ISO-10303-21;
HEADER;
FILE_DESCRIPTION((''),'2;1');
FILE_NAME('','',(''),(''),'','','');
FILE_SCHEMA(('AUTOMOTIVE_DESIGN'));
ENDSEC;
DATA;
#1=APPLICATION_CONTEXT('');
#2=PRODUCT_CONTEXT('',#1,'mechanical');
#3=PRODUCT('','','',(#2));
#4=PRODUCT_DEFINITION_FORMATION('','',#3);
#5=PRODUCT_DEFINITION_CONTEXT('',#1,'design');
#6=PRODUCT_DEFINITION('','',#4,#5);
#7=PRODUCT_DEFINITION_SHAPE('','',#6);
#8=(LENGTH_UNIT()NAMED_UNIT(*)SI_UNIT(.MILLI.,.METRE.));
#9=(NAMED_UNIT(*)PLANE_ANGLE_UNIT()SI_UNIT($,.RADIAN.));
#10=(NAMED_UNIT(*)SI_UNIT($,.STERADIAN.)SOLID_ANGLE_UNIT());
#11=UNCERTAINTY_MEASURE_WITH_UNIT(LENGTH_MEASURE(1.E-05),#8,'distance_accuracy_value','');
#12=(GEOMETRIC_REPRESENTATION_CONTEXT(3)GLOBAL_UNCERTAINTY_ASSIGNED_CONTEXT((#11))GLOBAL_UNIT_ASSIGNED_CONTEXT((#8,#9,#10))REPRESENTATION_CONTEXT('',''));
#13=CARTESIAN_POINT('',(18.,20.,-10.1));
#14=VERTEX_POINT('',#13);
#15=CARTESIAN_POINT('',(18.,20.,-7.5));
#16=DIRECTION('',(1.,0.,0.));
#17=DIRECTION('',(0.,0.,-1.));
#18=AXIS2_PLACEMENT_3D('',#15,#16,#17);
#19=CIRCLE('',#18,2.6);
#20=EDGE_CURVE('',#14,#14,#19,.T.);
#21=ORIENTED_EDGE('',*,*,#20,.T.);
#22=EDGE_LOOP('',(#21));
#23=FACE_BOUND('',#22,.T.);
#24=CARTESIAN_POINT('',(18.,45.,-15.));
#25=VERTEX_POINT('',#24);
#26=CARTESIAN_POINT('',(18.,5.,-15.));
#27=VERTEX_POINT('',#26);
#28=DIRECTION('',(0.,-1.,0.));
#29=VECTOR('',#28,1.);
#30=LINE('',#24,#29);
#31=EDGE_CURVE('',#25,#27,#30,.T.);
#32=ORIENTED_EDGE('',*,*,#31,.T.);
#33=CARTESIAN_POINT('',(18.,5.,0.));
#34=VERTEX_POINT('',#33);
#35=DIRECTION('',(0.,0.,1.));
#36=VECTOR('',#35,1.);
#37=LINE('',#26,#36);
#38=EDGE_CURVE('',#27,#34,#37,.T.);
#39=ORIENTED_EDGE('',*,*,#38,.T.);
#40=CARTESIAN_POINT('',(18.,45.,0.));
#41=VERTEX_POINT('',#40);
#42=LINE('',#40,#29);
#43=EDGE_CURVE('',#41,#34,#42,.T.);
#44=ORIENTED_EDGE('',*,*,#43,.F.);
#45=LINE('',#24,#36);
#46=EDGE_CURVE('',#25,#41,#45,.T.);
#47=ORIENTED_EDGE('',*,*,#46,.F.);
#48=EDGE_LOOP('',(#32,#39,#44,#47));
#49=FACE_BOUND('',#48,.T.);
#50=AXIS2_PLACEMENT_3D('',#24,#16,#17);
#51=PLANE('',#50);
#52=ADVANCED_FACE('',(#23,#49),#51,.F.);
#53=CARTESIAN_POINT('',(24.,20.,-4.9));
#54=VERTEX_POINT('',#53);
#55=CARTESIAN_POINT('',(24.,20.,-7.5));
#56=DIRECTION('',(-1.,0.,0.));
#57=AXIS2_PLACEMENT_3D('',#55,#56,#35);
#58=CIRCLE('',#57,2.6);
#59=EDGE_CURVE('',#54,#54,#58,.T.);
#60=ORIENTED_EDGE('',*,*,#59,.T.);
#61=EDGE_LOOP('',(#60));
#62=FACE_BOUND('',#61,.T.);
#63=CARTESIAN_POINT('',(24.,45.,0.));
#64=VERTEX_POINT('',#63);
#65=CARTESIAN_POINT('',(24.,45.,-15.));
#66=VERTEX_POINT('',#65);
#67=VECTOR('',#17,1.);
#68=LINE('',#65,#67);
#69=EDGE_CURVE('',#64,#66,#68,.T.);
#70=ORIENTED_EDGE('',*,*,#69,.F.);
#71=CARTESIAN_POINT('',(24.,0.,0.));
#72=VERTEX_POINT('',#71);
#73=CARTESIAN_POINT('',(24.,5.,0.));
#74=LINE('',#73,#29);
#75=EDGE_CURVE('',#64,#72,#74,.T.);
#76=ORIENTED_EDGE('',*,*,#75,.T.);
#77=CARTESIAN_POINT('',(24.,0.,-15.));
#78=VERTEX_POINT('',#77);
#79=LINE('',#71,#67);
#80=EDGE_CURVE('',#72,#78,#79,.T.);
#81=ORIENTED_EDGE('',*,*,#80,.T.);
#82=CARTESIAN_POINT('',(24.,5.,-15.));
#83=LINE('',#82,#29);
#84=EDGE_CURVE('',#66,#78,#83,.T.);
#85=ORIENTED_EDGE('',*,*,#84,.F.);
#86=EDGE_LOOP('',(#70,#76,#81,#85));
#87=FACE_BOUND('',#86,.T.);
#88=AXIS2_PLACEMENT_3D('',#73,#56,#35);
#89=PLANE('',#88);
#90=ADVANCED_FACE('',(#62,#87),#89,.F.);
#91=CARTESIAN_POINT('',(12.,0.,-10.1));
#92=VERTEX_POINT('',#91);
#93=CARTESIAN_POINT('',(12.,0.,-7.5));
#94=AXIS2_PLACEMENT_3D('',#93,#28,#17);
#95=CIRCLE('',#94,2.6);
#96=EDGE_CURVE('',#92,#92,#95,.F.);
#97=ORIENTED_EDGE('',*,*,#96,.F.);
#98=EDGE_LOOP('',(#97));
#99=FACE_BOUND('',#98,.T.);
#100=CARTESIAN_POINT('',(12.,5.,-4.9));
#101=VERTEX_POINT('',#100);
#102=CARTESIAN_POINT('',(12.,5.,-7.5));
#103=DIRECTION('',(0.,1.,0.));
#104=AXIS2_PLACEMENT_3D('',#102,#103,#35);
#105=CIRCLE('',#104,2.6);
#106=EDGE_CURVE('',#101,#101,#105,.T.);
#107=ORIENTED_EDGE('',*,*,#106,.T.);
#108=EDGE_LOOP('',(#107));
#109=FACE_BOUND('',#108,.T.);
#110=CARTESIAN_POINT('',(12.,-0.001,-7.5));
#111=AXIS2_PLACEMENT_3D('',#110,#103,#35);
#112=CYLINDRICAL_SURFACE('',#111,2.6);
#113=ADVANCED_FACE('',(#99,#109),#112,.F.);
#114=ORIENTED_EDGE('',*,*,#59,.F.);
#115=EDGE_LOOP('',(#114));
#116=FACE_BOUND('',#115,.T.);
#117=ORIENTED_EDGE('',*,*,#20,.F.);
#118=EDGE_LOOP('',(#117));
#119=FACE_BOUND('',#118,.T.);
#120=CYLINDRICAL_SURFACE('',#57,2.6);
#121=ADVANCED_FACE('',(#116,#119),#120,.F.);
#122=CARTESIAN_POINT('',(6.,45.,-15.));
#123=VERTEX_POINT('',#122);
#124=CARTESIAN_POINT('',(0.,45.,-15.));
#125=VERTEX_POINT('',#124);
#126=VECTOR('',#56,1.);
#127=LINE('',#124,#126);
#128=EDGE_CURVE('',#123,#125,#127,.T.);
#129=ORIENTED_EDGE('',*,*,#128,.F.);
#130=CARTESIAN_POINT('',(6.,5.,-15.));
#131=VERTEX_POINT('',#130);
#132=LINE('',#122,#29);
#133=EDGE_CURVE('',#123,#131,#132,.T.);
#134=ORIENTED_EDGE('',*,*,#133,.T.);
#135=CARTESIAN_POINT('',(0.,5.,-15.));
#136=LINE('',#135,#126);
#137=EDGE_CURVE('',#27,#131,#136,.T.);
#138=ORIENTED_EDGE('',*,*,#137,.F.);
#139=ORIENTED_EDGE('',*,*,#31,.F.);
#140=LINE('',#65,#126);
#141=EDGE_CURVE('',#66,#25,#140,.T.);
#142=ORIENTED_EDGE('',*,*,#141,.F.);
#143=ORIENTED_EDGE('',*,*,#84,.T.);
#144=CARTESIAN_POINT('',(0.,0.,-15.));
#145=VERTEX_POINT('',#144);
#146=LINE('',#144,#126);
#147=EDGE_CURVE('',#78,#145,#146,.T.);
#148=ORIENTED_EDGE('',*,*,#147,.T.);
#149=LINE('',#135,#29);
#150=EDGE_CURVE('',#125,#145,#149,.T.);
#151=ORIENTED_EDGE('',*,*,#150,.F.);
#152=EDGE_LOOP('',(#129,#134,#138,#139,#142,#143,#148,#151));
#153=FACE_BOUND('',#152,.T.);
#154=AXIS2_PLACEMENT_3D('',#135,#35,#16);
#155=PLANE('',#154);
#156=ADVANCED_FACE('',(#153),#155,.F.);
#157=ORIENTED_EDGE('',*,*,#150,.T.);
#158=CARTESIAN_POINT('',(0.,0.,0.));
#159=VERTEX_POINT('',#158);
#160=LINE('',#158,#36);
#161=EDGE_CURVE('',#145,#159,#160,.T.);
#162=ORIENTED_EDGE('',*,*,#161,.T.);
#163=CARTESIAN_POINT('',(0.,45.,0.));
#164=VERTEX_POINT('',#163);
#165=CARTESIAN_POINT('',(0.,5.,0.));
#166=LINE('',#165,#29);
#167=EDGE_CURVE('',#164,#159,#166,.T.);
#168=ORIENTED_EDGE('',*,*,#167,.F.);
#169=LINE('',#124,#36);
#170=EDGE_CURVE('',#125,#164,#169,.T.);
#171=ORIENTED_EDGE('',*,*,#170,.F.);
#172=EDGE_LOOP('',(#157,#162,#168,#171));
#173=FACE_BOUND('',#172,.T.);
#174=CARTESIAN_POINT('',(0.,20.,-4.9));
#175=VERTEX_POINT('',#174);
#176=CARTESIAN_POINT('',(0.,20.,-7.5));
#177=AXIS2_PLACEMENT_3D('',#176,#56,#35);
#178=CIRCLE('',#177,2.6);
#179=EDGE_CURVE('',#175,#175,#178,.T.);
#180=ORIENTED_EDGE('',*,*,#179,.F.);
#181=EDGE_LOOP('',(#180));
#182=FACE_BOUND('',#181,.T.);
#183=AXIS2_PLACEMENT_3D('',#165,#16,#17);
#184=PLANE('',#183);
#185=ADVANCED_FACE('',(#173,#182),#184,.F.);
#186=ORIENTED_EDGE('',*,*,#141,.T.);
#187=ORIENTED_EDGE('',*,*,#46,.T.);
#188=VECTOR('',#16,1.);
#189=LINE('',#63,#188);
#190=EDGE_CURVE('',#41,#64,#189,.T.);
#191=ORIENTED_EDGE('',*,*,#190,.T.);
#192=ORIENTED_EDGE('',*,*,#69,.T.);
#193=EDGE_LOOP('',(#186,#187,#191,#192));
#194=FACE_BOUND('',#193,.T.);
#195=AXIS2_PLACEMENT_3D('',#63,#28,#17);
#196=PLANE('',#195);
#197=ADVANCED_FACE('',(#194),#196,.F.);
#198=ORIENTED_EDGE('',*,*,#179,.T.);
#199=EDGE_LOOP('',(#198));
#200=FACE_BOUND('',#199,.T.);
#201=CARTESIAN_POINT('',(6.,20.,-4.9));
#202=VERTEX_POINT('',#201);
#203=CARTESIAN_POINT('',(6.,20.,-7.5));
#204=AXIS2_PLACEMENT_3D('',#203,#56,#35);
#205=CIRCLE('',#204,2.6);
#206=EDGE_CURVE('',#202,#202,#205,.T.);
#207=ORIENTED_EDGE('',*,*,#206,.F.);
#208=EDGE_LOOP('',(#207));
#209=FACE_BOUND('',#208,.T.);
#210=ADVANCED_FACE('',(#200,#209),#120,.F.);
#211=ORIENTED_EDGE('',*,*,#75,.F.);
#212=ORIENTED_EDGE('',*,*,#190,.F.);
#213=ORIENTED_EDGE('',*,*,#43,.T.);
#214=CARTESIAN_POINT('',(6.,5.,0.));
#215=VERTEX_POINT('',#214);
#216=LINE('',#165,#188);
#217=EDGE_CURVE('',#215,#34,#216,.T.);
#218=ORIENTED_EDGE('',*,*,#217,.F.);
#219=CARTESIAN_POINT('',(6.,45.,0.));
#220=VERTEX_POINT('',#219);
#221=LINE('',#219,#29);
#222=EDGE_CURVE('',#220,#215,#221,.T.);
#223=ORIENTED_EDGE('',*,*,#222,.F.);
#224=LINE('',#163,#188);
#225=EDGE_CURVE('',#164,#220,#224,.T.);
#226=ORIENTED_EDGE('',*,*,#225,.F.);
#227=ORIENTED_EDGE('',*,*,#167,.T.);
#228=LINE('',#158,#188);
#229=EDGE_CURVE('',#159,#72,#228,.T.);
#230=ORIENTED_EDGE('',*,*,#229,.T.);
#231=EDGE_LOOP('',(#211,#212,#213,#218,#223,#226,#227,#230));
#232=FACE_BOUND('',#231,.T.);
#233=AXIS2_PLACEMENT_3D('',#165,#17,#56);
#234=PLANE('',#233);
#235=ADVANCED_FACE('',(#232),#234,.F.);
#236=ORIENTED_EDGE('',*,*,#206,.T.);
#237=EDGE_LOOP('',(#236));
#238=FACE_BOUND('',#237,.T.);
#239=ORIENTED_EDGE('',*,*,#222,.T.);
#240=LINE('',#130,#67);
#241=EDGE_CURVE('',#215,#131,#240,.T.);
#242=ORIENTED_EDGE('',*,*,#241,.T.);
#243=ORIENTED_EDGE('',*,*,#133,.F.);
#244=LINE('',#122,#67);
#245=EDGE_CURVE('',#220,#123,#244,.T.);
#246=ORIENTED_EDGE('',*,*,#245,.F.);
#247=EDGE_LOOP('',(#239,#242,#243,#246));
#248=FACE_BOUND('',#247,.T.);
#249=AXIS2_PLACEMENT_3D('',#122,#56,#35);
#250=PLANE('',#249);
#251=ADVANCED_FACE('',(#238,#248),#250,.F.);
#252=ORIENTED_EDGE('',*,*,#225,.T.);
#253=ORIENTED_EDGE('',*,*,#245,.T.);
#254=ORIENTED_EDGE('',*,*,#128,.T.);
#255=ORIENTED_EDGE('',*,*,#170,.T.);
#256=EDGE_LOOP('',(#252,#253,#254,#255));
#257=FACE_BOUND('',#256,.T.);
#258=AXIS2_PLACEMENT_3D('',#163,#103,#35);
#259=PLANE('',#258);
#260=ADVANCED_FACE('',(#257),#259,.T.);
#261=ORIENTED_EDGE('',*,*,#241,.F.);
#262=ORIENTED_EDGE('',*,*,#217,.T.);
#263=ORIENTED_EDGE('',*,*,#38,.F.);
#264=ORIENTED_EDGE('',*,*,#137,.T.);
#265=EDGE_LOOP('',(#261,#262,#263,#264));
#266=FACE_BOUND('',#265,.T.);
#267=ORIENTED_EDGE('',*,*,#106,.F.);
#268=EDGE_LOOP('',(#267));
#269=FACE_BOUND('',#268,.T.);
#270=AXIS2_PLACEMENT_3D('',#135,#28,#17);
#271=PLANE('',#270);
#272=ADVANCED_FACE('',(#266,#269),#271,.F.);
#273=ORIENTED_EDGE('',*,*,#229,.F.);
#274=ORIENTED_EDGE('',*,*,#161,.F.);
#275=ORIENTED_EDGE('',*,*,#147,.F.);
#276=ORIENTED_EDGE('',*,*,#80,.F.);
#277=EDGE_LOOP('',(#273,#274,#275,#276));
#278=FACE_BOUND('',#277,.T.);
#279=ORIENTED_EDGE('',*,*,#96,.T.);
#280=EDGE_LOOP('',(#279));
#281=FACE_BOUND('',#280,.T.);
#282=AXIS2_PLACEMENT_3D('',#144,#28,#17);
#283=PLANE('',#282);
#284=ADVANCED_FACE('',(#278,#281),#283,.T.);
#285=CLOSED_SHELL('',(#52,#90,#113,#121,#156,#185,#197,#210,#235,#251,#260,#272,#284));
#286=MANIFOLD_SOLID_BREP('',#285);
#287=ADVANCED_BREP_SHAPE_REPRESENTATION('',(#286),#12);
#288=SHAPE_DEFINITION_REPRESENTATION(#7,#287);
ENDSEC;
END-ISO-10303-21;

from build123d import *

# Parameters (mm, degrees)
SKETCH_5_W          = 24
SKETCH_5_H          = 15
EXTRUDE_5_DEPTH     = 5
CUT_EXTRUDE_6_REACH = 30.74
SKETCH_6_R          = 2.6
SKETCH_7_W          = 6
SKETCH_7_H          = 15
EXTRUDE_7_DEPTH     = 40
SKETCH_8_R          = 2.6
CUT_EXTRUDE_8_DEPTH = 54.16013544


with BuildPart() as part:
    # Эскиз5 → Вытянуть5 (new body)
    with BuildSketch(Plane(origin=(0, 0, 0), x_dir=(1, 0, 0), z_dir=(0, 1, 0))):
        with Locations((12, 7.5)):
            Rectangle(SKETCH_5_W, SKETCH_5_H)
    extrude(amount=EXTRUDE_5_DEPTH)

    # Эскиз6 → Вытянуть6 (cut, up to next)
    with BuildSketch(Plane(origin=(0, 5, 0), x_dir=(1, 0, 0), z_dir=(0, 1, 0)), mode=Mode.PRIVATE) as cut_extrude_6_sk1:
        with Locations(Location((12, 7.5, 0), (0, 0, 270))):
            Circle(SKETCH_6_R)
    cut_extrude_6_tool1 = extrude(cut_extrude_6_sk1.sketch, amount=-CUT_EXTRUDE_6_REACH, mode=Mode.PRIVATE) & part.part
    add(cut_extrude_6_tool1.solids().sort_by_distance((12, 5, -7.5))[0], mode=Mode.SUBTRACT)

    # Эскиз7 → Вытянуть7 (add)
    with BuildSketch(Plane(origin=(0, 5, 0), x_dir=(1, 0, 0), z_dir=(0, 1, 0))):
        with Locations((3, 7.5)):
            Rectangle(SKETCH_7_W, SKETCH_7_H)
        with Locations((21, 7.5)):
            Rectangle(SKETCH_7_W, SKETCH_7_H)
    extrude(amount=EXTRUDE_7_DEPTH)

    # Эскиз8 → Вытянуть8 (cut, through all)
    with BuildSketch(Plane.ZY):
        with Locations((-7.5, 20)):
            Circle(SKETCH_8_R)
    extrude(amount=-CUT_EXTRUDE_8_DEPTH, mode=Mode.SUBTRACT)


solid = part.part
